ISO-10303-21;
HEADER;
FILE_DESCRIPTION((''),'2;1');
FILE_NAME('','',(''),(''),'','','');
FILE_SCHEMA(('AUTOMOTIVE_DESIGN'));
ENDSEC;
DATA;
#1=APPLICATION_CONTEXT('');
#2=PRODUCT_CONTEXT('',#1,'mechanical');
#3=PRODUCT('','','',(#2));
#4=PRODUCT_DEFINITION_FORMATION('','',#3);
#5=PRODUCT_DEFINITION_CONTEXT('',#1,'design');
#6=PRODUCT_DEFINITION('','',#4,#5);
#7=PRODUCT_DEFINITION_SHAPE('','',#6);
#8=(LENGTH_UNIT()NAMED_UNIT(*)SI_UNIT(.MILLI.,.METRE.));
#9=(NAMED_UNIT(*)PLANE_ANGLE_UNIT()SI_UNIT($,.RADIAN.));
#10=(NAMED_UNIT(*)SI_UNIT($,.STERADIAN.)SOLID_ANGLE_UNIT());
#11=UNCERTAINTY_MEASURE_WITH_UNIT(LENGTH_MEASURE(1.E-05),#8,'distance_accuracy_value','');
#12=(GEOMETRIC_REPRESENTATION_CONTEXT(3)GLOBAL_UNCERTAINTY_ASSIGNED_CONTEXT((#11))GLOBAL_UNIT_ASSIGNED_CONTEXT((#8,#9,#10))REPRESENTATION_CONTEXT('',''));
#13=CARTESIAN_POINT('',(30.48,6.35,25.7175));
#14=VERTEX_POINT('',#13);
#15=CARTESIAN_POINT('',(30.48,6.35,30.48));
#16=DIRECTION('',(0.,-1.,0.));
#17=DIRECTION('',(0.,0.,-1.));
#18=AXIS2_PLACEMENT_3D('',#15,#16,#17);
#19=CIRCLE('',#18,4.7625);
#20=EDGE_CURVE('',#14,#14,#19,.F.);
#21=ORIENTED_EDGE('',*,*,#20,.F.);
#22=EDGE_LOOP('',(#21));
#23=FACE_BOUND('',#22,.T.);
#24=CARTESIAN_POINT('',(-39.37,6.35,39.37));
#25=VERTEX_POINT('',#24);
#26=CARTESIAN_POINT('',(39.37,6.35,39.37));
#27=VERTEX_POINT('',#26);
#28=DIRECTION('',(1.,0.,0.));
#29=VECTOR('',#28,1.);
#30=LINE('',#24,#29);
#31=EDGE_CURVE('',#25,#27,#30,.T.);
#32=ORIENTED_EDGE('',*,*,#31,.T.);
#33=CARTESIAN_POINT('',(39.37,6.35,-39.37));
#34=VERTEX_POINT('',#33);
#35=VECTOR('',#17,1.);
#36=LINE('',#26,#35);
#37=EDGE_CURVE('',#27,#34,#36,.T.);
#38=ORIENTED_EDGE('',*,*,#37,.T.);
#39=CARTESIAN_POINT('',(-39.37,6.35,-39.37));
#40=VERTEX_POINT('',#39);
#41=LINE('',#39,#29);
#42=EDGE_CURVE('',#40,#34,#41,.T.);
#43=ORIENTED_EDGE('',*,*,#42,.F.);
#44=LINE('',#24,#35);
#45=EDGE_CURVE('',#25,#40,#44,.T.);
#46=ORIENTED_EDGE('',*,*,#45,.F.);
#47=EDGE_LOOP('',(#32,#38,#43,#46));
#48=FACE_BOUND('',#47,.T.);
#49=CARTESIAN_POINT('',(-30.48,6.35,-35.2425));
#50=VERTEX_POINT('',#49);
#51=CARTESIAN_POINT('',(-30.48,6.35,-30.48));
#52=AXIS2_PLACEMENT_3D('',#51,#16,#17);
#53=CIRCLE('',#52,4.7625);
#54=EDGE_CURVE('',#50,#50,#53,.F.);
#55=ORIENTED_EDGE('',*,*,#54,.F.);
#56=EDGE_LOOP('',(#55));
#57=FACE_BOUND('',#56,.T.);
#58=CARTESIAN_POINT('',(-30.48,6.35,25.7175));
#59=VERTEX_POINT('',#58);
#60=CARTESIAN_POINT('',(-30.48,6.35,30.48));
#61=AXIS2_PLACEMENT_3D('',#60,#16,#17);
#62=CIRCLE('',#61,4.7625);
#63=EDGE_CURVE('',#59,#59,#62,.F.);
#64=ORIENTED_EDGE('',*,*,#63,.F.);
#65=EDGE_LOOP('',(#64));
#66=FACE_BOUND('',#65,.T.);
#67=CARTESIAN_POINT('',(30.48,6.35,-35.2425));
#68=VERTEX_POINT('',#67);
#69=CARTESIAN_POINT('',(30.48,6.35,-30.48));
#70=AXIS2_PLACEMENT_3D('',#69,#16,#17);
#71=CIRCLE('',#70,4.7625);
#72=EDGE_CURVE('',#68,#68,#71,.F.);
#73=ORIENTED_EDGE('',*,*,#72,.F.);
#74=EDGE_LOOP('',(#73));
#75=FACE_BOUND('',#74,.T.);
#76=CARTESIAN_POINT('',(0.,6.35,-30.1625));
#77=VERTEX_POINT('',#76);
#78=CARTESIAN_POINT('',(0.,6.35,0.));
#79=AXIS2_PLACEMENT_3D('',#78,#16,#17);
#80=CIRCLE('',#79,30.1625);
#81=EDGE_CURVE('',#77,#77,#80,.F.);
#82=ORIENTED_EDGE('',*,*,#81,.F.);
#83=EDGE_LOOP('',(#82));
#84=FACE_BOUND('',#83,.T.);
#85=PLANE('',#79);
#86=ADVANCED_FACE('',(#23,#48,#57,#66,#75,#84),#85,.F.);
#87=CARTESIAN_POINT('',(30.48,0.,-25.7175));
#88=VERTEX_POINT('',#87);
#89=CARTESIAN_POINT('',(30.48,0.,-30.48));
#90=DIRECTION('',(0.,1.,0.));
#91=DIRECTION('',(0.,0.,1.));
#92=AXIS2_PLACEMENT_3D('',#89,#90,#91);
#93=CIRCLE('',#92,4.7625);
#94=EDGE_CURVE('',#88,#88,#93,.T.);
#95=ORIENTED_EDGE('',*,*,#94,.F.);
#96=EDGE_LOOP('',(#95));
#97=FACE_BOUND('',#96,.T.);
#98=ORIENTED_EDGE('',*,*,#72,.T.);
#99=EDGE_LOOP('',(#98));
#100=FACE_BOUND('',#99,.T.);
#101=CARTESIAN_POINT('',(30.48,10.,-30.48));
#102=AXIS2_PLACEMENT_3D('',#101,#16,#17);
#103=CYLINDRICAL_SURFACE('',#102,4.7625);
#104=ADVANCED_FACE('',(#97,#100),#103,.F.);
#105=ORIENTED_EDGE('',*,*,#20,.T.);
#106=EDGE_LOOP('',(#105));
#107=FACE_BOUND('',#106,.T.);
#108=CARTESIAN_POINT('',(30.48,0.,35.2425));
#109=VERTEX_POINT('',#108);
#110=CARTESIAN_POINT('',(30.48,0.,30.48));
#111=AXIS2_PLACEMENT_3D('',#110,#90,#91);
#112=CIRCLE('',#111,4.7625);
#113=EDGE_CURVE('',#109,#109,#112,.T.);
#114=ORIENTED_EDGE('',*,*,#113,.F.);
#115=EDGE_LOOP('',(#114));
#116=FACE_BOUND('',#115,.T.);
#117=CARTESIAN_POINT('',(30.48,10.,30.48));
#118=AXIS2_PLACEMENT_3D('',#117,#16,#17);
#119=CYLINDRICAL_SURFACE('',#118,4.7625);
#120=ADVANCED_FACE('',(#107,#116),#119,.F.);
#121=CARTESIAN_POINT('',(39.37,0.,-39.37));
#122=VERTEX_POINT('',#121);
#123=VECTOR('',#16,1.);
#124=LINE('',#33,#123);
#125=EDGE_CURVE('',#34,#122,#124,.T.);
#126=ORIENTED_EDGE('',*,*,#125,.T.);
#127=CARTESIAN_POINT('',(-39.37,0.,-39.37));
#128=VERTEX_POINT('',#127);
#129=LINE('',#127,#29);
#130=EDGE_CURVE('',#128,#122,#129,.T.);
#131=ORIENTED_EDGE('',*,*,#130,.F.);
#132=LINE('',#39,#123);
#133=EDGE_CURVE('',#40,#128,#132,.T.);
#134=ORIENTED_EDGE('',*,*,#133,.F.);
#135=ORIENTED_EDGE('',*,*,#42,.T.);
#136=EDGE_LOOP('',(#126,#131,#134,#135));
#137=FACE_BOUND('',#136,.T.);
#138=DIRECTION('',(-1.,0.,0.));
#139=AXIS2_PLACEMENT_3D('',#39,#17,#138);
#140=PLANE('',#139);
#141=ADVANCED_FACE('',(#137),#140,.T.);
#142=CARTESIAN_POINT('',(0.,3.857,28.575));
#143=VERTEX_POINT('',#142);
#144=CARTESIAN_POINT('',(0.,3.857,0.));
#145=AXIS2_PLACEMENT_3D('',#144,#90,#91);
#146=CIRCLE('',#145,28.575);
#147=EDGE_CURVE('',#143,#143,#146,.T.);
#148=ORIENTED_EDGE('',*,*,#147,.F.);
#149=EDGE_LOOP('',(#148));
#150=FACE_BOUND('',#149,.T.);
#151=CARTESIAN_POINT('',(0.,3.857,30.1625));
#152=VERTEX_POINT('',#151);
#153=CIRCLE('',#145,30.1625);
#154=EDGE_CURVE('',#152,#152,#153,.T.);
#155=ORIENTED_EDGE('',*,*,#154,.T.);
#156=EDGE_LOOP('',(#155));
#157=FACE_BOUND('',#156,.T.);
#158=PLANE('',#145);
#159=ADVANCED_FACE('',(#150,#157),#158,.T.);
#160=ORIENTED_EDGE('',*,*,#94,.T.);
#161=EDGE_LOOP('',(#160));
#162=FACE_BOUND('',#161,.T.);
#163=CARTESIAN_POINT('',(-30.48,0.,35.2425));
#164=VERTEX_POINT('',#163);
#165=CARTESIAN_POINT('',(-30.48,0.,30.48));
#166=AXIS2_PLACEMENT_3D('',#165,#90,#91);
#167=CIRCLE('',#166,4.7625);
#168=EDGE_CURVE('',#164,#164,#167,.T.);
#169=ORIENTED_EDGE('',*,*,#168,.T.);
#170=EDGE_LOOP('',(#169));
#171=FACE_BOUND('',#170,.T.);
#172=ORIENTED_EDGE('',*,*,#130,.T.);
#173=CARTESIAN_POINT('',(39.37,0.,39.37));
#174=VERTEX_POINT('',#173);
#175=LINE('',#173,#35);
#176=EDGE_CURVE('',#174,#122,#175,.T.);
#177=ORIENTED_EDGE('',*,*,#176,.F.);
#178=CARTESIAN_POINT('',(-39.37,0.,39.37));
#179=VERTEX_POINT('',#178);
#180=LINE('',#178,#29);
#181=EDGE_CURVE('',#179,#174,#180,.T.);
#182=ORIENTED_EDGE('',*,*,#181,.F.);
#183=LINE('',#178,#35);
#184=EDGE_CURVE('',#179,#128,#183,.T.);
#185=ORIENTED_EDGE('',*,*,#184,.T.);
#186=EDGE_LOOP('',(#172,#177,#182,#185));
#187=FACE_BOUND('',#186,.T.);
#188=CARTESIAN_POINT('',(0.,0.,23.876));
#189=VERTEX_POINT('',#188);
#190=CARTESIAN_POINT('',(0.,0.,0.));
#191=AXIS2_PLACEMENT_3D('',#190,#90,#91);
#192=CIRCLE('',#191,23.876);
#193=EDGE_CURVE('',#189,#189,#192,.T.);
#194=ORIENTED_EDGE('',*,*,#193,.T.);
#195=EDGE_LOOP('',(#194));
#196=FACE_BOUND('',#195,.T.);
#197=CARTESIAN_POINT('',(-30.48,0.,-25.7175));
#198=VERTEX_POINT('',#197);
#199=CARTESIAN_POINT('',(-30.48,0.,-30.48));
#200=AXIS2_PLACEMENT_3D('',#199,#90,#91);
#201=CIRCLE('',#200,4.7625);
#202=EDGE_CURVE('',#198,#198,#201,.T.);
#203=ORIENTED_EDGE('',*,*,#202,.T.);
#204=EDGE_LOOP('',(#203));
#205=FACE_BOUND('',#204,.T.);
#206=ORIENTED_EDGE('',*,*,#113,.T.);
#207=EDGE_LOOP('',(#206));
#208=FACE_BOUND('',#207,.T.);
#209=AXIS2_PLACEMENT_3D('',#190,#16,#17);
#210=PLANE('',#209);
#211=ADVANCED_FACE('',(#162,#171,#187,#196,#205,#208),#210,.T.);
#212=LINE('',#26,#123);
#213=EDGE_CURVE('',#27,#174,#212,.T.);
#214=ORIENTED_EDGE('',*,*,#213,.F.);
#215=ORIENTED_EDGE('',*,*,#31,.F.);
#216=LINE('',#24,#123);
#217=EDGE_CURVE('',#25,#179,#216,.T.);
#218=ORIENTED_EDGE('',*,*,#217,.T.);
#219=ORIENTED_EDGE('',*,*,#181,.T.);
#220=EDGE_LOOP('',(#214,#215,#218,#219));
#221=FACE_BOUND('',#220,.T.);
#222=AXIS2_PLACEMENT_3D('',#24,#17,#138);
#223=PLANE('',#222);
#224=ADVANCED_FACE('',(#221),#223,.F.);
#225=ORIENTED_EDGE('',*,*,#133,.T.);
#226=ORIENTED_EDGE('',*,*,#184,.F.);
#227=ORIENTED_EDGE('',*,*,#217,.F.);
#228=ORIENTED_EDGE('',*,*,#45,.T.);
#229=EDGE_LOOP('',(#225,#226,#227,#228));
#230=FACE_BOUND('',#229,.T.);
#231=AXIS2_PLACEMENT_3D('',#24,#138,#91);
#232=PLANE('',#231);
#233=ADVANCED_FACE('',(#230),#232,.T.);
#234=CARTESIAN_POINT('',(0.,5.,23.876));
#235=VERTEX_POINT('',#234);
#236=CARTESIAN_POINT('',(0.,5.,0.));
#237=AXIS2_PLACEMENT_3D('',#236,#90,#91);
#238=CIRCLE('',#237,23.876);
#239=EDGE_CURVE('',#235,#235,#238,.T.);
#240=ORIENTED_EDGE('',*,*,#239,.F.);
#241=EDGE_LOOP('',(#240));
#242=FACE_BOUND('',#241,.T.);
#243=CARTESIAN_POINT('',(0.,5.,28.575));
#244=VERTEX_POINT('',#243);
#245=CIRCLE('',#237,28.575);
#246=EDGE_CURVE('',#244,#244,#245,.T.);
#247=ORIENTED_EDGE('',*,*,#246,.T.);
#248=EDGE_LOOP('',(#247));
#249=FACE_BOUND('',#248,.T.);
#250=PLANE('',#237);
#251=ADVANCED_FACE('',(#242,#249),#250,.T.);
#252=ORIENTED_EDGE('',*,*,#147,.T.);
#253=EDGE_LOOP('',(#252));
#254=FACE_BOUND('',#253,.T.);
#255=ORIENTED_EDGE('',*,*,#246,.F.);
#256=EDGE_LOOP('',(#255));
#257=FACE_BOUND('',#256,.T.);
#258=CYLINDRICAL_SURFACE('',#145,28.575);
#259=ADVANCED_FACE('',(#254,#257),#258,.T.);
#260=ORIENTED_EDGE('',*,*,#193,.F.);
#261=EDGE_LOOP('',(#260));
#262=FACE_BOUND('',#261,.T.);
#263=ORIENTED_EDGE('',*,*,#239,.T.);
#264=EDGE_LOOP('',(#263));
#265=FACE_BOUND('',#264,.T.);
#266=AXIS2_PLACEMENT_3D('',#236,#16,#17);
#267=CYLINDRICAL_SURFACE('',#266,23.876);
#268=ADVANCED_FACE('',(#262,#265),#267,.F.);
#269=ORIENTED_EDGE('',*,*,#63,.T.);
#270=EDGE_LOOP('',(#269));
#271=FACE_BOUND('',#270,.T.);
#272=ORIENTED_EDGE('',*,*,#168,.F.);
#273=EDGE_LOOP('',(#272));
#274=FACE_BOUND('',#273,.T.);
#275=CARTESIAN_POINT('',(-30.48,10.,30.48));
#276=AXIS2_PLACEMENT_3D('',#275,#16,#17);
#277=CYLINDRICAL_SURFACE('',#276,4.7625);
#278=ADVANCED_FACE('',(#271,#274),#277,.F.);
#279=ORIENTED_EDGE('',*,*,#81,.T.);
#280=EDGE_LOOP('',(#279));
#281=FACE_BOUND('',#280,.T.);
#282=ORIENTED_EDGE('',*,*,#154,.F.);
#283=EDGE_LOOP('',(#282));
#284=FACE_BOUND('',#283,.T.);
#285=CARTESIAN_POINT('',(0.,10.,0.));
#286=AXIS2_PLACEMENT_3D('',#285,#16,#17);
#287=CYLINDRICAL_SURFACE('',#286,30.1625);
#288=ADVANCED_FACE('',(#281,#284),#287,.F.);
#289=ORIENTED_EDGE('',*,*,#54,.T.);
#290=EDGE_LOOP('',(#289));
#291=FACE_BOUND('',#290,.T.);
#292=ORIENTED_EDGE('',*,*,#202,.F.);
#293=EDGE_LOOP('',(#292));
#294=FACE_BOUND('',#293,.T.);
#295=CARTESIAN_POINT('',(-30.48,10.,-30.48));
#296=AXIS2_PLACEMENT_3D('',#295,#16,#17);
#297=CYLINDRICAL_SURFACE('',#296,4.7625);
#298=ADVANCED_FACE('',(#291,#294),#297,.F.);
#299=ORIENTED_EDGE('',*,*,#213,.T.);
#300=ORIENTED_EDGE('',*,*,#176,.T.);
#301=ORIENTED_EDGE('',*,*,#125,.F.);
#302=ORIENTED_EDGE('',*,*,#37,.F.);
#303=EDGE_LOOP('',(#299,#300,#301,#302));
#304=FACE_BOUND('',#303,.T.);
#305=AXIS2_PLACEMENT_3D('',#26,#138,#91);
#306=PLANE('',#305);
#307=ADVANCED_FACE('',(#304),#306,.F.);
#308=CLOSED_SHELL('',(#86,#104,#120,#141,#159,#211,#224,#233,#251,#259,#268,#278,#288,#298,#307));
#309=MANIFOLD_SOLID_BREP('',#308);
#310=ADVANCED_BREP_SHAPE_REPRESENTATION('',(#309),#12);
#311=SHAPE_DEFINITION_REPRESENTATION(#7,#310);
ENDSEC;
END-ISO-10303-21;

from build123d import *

# Parameters (mm, degrees)
PLATEOUTLINE_W      = 78.74
PLATEOUTLINE_H      = 78.74
BOSS_EXTRUDE1_DEPTH = 6.35
RAILGUIDES_R        = 4.7625
CUT_EXTRUDE1_DEPTH  = 10
CUT_EXTRUDE2_START  = 5
FUELGRAINMOUNTING_R = 30.1625
CUT_EXTRUDE2_DEPTH  = 5
GASINTAKE_R         = 23.876
CUT_EXTRUDE3_DEPTH  = 5
CUT_EXTRUDE4_START  = 3.857
SKETCH1_R           = 30.1625
SKETCH1_R_2         = 28.575
CUT_EXTRUDE4_DEPTH  = 1.143


with BuildPart() as part:
    # plateOutline → Boss-Extrude1 (new body)
    with BuildSketch(Plane(origin=(0, 0, 0), x_dir=(1, 0, 0), z_dir=(0, 1, 0))):
        Rectangle(PLATEOUTLINE_W, PLATEOUTLINE_H)
    extrude(amount=BOSS_EXTRUDE1_DEPTH)

    # railGuides → Cut-Extrude1 (cut)
    with BuildSketch(Plane(origin=(0, 0, 0), x_dir=(1, 0, 0), z_dir=(0, 1, 0))):
        with Locations((-30.48, 30.48)):
            Circle(RAILGUIDES_R)
        with Locations((30.48, 30.48)):
            Circle(RAILGUIDES_R)
        with Locations((30.48, -30.48)):
            Circle(RAILGUIDES_R)
        with Locations((-30.48, -30.48)):
            Circle(RAILGUIDES_R)
    extrude(amount=CUT_EXTRUDE1_DEPTH, mode=Mode.SUBTRACT)

    # FuelGrainMounting → Cut-Extrude2 (cut)
    with BuildSketch(Plane(origin=(0, 0, 0), x_dir=(1, 0, 0), z_dir=(0, 1, 0)).offset(CUT_EXTRUDE2_START)):
        Circle(FUELGRAINMOUNTING_R)
    extrude(amount=CUT_EXTRUDE2_DEPTH, mode=Mode.SUBTRACT)

    # GasIntake → Cut-Extrude3 (cut)
    with BuildSketch(Plane(origin=(0, 0, 0), x_dir=(1, 0, 0), z_dir=(0, 1, 0))):
        Circle(GASINTAKE_R)
    extrude(amount=CUT_EXTRUDE3_DEPTH, mode=Mode.SUBTRACT)

    # Sketch1 → Cut-Extrude4 (cut)
    with BuildSketch(Plane(origin=(0, 0, 0), x_dir=(1, 0, 0), z_dir=(0, 1, 0)).offset(CUT_EXTRUDE4_START)):
        Circle(SKETCH1_R)
        Circle(SKETCH1_R_2, mode=Mode.SUBTRACT)
    extrude(amount=CUT_EXTRUDE4_DEPTH, mode=Mode.SUBTRACT)


solid = part.part
